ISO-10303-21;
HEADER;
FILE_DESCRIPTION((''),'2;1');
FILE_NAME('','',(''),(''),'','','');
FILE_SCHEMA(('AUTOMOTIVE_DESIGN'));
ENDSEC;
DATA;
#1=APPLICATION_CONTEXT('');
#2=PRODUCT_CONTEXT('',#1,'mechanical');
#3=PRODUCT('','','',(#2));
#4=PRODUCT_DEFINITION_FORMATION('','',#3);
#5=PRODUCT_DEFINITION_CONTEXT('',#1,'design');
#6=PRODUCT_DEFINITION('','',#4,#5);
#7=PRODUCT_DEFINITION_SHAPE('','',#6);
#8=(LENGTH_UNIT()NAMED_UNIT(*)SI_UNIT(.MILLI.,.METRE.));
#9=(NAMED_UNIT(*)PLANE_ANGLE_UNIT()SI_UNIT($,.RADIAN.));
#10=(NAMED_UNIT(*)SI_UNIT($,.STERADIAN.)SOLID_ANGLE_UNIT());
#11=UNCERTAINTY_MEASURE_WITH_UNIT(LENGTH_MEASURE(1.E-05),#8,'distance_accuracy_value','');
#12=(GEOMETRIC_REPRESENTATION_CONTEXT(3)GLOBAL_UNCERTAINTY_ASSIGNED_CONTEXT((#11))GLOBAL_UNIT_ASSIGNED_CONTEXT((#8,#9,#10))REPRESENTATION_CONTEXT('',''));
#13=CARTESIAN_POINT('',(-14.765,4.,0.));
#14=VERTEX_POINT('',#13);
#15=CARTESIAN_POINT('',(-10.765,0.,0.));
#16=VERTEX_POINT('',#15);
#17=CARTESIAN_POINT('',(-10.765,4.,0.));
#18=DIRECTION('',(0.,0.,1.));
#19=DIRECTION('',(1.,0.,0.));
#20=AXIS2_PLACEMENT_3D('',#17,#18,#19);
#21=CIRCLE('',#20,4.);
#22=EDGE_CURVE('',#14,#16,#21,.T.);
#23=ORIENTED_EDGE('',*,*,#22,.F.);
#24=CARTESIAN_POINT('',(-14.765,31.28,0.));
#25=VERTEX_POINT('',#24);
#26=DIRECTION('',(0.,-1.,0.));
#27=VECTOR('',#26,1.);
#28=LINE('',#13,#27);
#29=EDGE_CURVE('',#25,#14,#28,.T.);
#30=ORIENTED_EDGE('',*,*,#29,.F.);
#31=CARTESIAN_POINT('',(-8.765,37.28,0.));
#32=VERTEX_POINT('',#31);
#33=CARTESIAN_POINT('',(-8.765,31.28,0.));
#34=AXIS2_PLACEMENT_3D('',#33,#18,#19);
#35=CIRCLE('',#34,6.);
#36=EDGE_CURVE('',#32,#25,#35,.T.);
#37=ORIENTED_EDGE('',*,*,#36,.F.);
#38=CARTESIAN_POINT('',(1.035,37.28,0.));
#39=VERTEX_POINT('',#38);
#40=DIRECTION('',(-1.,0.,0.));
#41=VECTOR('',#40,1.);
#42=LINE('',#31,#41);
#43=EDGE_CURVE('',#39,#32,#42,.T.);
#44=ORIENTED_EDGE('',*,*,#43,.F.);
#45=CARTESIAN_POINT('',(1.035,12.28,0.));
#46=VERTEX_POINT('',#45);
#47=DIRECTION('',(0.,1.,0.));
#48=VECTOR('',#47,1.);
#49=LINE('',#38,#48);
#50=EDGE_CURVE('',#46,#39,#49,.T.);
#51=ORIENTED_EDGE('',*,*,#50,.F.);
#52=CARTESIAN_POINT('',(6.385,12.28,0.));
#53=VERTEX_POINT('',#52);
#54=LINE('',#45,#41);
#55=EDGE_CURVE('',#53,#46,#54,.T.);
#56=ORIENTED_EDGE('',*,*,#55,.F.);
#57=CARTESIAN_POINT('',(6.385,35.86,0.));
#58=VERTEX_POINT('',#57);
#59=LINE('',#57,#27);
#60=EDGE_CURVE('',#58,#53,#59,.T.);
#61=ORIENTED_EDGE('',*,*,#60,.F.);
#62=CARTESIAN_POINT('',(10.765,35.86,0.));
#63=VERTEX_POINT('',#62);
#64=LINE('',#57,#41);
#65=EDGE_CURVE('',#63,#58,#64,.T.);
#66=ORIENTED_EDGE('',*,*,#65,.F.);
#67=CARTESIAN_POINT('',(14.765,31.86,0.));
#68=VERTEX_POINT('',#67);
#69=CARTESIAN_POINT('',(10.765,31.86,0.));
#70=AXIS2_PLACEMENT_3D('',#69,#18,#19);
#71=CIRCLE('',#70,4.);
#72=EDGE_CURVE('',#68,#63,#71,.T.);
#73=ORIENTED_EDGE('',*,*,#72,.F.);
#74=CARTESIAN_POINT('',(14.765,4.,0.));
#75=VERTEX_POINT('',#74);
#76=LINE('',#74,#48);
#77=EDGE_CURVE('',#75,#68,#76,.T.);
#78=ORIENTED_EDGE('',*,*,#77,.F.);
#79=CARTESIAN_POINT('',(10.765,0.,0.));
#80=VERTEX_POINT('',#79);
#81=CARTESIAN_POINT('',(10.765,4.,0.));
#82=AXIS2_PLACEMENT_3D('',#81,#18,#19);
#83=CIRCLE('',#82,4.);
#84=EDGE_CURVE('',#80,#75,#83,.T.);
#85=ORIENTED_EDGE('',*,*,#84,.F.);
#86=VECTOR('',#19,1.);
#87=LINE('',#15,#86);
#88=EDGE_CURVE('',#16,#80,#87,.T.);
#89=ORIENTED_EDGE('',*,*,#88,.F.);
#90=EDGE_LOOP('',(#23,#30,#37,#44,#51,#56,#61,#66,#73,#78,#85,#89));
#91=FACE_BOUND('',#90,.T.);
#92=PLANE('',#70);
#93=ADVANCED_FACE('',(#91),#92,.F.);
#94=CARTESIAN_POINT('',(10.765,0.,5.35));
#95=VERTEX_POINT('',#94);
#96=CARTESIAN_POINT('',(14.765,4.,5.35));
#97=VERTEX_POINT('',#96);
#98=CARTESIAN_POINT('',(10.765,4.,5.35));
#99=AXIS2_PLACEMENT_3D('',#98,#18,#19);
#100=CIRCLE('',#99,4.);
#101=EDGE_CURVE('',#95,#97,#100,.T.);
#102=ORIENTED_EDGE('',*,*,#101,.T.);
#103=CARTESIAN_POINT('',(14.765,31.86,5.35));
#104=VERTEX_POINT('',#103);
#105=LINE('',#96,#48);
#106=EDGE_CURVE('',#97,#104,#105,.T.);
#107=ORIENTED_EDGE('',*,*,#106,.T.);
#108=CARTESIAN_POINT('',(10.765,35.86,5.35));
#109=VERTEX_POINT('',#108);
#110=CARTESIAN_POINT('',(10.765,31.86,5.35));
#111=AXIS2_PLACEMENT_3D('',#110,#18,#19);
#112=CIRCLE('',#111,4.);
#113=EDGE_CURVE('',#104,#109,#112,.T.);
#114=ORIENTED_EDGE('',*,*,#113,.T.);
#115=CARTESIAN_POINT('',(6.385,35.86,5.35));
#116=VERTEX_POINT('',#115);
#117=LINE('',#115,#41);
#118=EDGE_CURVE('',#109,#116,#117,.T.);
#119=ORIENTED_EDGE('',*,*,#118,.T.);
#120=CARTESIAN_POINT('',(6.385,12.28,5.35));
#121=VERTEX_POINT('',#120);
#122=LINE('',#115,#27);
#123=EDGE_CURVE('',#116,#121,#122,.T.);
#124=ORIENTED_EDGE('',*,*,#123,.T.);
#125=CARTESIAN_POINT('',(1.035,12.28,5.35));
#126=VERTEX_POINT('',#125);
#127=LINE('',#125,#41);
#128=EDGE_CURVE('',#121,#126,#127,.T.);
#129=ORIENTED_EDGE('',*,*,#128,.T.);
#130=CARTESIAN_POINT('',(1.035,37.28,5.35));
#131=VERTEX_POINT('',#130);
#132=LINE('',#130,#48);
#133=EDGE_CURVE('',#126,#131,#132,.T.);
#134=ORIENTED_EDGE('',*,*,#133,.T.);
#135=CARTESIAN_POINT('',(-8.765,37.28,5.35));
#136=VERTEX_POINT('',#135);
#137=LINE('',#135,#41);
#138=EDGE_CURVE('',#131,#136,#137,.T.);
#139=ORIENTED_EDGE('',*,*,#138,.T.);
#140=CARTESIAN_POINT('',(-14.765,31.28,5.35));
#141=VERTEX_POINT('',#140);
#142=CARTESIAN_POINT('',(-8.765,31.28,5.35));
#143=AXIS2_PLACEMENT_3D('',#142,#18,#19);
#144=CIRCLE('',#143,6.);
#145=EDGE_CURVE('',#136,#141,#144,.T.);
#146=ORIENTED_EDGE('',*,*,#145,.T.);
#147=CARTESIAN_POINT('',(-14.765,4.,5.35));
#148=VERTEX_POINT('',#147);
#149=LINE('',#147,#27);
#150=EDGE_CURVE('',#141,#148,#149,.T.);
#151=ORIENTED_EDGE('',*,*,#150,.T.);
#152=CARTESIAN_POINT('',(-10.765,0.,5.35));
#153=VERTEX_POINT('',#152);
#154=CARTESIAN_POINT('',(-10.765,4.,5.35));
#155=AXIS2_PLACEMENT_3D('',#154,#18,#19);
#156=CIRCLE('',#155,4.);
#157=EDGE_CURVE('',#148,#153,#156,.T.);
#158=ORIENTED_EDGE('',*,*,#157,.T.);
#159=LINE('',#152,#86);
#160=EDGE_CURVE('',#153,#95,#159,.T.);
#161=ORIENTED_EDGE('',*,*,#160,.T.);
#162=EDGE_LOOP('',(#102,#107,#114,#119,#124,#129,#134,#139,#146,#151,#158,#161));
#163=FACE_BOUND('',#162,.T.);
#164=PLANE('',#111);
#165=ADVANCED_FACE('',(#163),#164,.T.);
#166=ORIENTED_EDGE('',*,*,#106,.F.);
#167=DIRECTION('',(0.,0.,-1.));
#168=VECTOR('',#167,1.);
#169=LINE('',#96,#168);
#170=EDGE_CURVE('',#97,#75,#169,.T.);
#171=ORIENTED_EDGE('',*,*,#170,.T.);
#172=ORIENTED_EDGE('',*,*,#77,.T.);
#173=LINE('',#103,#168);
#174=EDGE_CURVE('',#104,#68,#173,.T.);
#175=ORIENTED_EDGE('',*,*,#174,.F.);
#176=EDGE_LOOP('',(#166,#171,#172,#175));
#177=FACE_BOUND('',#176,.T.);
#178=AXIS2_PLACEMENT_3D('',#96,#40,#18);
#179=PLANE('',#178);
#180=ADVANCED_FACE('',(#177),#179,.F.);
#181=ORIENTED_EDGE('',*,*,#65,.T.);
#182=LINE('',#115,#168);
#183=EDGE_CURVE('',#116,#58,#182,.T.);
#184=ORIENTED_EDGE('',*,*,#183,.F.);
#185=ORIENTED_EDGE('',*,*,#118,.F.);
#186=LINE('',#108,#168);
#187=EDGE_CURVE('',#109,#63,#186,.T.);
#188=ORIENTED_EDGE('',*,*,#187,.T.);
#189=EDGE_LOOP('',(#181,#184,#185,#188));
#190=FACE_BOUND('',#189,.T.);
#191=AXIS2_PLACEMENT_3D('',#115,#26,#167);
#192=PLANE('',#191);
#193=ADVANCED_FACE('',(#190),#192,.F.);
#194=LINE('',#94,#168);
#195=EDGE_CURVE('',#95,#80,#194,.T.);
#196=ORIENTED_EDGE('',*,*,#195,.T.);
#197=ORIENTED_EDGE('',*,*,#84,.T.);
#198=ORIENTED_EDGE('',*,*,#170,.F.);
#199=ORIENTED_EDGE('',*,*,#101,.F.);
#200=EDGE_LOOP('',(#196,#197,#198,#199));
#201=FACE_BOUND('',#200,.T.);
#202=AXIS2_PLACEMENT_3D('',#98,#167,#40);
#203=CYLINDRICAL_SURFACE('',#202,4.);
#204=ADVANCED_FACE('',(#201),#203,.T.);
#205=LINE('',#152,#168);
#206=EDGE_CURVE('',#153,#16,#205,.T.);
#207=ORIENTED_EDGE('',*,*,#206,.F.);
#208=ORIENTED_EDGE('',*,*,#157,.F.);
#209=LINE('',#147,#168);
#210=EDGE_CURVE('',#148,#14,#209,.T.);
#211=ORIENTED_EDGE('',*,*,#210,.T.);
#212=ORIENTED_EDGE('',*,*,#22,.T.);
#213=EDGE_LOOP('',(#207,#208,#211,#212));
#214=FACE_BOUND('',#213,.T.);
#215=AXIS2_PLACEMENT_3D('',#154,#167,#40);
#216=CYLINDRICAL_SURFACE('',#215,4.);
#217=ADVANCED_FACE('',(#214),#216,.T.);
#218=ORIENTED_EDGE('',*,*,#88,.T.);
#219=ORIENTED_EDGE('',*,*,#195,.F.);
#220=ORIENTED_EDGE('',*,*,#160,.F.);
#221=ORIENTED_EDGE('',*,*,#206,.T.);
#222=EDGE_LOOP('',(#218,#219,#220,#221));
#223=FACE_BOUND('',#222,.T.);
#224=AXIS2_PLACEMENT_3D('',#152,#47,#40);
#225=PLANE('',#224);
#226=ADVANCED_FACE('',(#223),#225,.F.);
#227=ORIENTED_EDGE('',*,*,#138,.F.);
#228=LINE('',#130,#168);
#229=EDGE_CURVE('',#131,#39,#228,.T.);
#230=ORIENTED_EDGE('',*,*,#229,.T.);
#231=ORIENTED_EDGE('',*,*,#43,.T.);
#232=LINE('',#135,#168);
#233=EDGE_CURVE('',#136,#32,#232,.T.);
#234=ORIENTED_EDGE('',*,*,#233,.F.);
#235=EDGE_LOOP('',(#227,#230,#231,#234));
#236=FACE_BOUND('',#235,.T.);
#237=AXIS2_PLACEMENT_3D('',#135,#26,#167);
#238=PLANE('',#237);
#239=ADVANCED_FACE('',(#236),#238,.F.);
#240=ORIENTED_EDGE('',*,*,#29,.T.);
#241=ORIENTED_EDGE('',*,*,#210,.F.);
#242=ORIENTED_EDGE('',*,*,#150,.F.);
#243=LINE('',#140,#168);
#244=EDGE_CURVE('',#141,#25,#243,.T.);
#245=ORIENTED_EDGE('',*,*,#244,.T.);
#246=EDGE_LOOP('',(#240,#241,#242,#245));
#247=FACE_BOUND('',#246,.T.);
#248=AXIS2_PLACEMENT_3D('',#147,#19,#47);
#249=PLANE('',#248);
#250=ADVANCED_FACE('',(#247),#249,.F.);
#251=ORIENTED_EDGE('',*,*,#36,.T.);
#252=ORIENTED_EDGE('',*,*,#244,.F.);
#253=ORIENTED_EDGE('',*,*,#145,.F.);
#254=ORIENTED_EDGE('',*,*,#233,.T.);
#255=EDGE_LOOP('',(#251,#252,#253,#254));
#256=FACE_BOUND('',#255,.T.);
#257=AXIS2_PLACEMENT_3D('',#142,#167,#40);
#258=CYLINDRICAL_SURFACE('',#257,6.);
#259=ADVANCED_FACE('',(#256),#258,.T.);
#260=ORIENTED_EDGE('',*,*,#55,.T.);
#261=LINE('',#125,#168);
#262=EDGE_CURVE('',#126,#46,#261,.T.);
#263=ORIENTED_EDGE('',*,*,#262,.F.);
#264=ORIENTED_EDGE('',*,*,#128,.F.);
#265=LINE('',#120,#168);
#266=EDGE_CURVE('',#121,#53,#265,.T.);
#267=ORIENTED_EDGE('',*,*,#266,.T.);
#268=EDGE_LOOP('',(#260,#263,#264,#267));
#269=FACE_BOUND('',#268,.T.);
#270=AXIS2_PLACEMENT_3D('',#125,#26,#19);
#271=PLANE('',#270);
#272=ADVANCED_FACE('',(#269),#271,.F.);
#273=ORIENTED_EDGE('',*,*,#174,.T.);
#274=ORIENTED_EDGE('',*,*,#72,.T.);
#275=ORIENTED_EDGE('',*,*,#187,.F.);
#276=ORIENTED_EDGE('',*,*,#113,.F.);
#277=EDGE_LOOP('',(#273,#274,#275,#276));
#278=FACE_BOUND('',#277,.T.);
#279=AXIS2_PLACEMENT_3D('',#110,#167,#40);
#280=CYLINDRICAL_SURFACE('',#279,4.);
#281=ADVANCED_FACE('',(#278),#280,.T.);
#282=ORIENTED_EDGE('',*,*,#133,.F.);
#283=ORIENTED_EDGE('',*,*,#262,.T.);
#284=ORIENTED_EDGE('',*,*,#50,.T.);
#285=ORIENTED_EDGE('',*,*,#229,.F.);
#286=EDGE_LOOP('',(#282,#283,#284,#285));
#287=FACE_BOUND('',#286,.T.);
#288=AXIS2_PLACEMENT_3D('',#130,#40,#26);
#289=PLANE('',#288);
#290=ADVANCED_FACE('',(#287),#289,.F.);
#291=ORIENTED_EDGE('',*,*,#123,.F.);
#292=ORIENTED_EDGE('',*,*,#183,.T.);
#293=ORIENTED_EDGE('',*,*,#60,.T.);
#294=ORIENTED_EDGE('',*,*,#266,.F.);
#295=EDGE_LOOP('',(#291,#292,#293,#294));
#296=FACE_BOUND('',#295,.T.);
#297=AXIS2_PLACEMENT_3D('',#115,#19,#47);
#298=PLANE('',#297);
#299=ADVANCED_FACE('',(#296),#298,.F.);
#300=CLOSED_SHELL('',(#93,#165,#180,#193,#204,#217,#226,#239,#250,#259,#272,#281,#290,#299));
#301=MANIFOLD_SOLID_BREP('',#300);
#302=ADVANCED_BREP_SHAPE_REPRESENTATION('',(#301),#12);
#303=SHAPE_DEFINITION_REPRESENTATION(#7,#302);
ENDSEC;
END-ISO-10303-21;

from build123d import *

# Parameters (mm, degrees)
BOSS_EXTRUDE1_DEPTH = 5.35


with BuildPart() as part:
    # Model → Boss-Extrude1 (new body)
    with BuildSketch(Plane.XY):
        with BuildLine():
            Line((6.385, 35.86), (10.765, 35.86))
            ThreePointArc((10.765, 35.86), (13.593427125, 34.688427125), (14.765, 31.86))
            Line((14.765, 31.86), (14.765, 4))
            ThreePointArc((14.765, 4), (13.593427125, 1.171572875), (10.765, 0))
            Line((10.765, 0), (-10.765, 0))
            ThreePointArc((-10.765, 0), (-13.593427125, 1.171572875), (-14.765, 4))
            Line((-14.765, 4), (-14.765, 31.28))
            ThreePointArc((-14.765, 31.28), (-13.007640687, 35.522640687), (-8.765, 37.28))
            Line((-8.765, 37.28), (1.035, 37.28))
            Line((1.035, 37.28), (1.035, 12.28))
            Line((1.035, 12.28), (6.385, 12.28))
            Line((6.385, 12.28), (6.385, 35.86))
        make_face()
    extrude(amount=BOSS_EXTRUDE1_DEPTH)


solid = part.part
